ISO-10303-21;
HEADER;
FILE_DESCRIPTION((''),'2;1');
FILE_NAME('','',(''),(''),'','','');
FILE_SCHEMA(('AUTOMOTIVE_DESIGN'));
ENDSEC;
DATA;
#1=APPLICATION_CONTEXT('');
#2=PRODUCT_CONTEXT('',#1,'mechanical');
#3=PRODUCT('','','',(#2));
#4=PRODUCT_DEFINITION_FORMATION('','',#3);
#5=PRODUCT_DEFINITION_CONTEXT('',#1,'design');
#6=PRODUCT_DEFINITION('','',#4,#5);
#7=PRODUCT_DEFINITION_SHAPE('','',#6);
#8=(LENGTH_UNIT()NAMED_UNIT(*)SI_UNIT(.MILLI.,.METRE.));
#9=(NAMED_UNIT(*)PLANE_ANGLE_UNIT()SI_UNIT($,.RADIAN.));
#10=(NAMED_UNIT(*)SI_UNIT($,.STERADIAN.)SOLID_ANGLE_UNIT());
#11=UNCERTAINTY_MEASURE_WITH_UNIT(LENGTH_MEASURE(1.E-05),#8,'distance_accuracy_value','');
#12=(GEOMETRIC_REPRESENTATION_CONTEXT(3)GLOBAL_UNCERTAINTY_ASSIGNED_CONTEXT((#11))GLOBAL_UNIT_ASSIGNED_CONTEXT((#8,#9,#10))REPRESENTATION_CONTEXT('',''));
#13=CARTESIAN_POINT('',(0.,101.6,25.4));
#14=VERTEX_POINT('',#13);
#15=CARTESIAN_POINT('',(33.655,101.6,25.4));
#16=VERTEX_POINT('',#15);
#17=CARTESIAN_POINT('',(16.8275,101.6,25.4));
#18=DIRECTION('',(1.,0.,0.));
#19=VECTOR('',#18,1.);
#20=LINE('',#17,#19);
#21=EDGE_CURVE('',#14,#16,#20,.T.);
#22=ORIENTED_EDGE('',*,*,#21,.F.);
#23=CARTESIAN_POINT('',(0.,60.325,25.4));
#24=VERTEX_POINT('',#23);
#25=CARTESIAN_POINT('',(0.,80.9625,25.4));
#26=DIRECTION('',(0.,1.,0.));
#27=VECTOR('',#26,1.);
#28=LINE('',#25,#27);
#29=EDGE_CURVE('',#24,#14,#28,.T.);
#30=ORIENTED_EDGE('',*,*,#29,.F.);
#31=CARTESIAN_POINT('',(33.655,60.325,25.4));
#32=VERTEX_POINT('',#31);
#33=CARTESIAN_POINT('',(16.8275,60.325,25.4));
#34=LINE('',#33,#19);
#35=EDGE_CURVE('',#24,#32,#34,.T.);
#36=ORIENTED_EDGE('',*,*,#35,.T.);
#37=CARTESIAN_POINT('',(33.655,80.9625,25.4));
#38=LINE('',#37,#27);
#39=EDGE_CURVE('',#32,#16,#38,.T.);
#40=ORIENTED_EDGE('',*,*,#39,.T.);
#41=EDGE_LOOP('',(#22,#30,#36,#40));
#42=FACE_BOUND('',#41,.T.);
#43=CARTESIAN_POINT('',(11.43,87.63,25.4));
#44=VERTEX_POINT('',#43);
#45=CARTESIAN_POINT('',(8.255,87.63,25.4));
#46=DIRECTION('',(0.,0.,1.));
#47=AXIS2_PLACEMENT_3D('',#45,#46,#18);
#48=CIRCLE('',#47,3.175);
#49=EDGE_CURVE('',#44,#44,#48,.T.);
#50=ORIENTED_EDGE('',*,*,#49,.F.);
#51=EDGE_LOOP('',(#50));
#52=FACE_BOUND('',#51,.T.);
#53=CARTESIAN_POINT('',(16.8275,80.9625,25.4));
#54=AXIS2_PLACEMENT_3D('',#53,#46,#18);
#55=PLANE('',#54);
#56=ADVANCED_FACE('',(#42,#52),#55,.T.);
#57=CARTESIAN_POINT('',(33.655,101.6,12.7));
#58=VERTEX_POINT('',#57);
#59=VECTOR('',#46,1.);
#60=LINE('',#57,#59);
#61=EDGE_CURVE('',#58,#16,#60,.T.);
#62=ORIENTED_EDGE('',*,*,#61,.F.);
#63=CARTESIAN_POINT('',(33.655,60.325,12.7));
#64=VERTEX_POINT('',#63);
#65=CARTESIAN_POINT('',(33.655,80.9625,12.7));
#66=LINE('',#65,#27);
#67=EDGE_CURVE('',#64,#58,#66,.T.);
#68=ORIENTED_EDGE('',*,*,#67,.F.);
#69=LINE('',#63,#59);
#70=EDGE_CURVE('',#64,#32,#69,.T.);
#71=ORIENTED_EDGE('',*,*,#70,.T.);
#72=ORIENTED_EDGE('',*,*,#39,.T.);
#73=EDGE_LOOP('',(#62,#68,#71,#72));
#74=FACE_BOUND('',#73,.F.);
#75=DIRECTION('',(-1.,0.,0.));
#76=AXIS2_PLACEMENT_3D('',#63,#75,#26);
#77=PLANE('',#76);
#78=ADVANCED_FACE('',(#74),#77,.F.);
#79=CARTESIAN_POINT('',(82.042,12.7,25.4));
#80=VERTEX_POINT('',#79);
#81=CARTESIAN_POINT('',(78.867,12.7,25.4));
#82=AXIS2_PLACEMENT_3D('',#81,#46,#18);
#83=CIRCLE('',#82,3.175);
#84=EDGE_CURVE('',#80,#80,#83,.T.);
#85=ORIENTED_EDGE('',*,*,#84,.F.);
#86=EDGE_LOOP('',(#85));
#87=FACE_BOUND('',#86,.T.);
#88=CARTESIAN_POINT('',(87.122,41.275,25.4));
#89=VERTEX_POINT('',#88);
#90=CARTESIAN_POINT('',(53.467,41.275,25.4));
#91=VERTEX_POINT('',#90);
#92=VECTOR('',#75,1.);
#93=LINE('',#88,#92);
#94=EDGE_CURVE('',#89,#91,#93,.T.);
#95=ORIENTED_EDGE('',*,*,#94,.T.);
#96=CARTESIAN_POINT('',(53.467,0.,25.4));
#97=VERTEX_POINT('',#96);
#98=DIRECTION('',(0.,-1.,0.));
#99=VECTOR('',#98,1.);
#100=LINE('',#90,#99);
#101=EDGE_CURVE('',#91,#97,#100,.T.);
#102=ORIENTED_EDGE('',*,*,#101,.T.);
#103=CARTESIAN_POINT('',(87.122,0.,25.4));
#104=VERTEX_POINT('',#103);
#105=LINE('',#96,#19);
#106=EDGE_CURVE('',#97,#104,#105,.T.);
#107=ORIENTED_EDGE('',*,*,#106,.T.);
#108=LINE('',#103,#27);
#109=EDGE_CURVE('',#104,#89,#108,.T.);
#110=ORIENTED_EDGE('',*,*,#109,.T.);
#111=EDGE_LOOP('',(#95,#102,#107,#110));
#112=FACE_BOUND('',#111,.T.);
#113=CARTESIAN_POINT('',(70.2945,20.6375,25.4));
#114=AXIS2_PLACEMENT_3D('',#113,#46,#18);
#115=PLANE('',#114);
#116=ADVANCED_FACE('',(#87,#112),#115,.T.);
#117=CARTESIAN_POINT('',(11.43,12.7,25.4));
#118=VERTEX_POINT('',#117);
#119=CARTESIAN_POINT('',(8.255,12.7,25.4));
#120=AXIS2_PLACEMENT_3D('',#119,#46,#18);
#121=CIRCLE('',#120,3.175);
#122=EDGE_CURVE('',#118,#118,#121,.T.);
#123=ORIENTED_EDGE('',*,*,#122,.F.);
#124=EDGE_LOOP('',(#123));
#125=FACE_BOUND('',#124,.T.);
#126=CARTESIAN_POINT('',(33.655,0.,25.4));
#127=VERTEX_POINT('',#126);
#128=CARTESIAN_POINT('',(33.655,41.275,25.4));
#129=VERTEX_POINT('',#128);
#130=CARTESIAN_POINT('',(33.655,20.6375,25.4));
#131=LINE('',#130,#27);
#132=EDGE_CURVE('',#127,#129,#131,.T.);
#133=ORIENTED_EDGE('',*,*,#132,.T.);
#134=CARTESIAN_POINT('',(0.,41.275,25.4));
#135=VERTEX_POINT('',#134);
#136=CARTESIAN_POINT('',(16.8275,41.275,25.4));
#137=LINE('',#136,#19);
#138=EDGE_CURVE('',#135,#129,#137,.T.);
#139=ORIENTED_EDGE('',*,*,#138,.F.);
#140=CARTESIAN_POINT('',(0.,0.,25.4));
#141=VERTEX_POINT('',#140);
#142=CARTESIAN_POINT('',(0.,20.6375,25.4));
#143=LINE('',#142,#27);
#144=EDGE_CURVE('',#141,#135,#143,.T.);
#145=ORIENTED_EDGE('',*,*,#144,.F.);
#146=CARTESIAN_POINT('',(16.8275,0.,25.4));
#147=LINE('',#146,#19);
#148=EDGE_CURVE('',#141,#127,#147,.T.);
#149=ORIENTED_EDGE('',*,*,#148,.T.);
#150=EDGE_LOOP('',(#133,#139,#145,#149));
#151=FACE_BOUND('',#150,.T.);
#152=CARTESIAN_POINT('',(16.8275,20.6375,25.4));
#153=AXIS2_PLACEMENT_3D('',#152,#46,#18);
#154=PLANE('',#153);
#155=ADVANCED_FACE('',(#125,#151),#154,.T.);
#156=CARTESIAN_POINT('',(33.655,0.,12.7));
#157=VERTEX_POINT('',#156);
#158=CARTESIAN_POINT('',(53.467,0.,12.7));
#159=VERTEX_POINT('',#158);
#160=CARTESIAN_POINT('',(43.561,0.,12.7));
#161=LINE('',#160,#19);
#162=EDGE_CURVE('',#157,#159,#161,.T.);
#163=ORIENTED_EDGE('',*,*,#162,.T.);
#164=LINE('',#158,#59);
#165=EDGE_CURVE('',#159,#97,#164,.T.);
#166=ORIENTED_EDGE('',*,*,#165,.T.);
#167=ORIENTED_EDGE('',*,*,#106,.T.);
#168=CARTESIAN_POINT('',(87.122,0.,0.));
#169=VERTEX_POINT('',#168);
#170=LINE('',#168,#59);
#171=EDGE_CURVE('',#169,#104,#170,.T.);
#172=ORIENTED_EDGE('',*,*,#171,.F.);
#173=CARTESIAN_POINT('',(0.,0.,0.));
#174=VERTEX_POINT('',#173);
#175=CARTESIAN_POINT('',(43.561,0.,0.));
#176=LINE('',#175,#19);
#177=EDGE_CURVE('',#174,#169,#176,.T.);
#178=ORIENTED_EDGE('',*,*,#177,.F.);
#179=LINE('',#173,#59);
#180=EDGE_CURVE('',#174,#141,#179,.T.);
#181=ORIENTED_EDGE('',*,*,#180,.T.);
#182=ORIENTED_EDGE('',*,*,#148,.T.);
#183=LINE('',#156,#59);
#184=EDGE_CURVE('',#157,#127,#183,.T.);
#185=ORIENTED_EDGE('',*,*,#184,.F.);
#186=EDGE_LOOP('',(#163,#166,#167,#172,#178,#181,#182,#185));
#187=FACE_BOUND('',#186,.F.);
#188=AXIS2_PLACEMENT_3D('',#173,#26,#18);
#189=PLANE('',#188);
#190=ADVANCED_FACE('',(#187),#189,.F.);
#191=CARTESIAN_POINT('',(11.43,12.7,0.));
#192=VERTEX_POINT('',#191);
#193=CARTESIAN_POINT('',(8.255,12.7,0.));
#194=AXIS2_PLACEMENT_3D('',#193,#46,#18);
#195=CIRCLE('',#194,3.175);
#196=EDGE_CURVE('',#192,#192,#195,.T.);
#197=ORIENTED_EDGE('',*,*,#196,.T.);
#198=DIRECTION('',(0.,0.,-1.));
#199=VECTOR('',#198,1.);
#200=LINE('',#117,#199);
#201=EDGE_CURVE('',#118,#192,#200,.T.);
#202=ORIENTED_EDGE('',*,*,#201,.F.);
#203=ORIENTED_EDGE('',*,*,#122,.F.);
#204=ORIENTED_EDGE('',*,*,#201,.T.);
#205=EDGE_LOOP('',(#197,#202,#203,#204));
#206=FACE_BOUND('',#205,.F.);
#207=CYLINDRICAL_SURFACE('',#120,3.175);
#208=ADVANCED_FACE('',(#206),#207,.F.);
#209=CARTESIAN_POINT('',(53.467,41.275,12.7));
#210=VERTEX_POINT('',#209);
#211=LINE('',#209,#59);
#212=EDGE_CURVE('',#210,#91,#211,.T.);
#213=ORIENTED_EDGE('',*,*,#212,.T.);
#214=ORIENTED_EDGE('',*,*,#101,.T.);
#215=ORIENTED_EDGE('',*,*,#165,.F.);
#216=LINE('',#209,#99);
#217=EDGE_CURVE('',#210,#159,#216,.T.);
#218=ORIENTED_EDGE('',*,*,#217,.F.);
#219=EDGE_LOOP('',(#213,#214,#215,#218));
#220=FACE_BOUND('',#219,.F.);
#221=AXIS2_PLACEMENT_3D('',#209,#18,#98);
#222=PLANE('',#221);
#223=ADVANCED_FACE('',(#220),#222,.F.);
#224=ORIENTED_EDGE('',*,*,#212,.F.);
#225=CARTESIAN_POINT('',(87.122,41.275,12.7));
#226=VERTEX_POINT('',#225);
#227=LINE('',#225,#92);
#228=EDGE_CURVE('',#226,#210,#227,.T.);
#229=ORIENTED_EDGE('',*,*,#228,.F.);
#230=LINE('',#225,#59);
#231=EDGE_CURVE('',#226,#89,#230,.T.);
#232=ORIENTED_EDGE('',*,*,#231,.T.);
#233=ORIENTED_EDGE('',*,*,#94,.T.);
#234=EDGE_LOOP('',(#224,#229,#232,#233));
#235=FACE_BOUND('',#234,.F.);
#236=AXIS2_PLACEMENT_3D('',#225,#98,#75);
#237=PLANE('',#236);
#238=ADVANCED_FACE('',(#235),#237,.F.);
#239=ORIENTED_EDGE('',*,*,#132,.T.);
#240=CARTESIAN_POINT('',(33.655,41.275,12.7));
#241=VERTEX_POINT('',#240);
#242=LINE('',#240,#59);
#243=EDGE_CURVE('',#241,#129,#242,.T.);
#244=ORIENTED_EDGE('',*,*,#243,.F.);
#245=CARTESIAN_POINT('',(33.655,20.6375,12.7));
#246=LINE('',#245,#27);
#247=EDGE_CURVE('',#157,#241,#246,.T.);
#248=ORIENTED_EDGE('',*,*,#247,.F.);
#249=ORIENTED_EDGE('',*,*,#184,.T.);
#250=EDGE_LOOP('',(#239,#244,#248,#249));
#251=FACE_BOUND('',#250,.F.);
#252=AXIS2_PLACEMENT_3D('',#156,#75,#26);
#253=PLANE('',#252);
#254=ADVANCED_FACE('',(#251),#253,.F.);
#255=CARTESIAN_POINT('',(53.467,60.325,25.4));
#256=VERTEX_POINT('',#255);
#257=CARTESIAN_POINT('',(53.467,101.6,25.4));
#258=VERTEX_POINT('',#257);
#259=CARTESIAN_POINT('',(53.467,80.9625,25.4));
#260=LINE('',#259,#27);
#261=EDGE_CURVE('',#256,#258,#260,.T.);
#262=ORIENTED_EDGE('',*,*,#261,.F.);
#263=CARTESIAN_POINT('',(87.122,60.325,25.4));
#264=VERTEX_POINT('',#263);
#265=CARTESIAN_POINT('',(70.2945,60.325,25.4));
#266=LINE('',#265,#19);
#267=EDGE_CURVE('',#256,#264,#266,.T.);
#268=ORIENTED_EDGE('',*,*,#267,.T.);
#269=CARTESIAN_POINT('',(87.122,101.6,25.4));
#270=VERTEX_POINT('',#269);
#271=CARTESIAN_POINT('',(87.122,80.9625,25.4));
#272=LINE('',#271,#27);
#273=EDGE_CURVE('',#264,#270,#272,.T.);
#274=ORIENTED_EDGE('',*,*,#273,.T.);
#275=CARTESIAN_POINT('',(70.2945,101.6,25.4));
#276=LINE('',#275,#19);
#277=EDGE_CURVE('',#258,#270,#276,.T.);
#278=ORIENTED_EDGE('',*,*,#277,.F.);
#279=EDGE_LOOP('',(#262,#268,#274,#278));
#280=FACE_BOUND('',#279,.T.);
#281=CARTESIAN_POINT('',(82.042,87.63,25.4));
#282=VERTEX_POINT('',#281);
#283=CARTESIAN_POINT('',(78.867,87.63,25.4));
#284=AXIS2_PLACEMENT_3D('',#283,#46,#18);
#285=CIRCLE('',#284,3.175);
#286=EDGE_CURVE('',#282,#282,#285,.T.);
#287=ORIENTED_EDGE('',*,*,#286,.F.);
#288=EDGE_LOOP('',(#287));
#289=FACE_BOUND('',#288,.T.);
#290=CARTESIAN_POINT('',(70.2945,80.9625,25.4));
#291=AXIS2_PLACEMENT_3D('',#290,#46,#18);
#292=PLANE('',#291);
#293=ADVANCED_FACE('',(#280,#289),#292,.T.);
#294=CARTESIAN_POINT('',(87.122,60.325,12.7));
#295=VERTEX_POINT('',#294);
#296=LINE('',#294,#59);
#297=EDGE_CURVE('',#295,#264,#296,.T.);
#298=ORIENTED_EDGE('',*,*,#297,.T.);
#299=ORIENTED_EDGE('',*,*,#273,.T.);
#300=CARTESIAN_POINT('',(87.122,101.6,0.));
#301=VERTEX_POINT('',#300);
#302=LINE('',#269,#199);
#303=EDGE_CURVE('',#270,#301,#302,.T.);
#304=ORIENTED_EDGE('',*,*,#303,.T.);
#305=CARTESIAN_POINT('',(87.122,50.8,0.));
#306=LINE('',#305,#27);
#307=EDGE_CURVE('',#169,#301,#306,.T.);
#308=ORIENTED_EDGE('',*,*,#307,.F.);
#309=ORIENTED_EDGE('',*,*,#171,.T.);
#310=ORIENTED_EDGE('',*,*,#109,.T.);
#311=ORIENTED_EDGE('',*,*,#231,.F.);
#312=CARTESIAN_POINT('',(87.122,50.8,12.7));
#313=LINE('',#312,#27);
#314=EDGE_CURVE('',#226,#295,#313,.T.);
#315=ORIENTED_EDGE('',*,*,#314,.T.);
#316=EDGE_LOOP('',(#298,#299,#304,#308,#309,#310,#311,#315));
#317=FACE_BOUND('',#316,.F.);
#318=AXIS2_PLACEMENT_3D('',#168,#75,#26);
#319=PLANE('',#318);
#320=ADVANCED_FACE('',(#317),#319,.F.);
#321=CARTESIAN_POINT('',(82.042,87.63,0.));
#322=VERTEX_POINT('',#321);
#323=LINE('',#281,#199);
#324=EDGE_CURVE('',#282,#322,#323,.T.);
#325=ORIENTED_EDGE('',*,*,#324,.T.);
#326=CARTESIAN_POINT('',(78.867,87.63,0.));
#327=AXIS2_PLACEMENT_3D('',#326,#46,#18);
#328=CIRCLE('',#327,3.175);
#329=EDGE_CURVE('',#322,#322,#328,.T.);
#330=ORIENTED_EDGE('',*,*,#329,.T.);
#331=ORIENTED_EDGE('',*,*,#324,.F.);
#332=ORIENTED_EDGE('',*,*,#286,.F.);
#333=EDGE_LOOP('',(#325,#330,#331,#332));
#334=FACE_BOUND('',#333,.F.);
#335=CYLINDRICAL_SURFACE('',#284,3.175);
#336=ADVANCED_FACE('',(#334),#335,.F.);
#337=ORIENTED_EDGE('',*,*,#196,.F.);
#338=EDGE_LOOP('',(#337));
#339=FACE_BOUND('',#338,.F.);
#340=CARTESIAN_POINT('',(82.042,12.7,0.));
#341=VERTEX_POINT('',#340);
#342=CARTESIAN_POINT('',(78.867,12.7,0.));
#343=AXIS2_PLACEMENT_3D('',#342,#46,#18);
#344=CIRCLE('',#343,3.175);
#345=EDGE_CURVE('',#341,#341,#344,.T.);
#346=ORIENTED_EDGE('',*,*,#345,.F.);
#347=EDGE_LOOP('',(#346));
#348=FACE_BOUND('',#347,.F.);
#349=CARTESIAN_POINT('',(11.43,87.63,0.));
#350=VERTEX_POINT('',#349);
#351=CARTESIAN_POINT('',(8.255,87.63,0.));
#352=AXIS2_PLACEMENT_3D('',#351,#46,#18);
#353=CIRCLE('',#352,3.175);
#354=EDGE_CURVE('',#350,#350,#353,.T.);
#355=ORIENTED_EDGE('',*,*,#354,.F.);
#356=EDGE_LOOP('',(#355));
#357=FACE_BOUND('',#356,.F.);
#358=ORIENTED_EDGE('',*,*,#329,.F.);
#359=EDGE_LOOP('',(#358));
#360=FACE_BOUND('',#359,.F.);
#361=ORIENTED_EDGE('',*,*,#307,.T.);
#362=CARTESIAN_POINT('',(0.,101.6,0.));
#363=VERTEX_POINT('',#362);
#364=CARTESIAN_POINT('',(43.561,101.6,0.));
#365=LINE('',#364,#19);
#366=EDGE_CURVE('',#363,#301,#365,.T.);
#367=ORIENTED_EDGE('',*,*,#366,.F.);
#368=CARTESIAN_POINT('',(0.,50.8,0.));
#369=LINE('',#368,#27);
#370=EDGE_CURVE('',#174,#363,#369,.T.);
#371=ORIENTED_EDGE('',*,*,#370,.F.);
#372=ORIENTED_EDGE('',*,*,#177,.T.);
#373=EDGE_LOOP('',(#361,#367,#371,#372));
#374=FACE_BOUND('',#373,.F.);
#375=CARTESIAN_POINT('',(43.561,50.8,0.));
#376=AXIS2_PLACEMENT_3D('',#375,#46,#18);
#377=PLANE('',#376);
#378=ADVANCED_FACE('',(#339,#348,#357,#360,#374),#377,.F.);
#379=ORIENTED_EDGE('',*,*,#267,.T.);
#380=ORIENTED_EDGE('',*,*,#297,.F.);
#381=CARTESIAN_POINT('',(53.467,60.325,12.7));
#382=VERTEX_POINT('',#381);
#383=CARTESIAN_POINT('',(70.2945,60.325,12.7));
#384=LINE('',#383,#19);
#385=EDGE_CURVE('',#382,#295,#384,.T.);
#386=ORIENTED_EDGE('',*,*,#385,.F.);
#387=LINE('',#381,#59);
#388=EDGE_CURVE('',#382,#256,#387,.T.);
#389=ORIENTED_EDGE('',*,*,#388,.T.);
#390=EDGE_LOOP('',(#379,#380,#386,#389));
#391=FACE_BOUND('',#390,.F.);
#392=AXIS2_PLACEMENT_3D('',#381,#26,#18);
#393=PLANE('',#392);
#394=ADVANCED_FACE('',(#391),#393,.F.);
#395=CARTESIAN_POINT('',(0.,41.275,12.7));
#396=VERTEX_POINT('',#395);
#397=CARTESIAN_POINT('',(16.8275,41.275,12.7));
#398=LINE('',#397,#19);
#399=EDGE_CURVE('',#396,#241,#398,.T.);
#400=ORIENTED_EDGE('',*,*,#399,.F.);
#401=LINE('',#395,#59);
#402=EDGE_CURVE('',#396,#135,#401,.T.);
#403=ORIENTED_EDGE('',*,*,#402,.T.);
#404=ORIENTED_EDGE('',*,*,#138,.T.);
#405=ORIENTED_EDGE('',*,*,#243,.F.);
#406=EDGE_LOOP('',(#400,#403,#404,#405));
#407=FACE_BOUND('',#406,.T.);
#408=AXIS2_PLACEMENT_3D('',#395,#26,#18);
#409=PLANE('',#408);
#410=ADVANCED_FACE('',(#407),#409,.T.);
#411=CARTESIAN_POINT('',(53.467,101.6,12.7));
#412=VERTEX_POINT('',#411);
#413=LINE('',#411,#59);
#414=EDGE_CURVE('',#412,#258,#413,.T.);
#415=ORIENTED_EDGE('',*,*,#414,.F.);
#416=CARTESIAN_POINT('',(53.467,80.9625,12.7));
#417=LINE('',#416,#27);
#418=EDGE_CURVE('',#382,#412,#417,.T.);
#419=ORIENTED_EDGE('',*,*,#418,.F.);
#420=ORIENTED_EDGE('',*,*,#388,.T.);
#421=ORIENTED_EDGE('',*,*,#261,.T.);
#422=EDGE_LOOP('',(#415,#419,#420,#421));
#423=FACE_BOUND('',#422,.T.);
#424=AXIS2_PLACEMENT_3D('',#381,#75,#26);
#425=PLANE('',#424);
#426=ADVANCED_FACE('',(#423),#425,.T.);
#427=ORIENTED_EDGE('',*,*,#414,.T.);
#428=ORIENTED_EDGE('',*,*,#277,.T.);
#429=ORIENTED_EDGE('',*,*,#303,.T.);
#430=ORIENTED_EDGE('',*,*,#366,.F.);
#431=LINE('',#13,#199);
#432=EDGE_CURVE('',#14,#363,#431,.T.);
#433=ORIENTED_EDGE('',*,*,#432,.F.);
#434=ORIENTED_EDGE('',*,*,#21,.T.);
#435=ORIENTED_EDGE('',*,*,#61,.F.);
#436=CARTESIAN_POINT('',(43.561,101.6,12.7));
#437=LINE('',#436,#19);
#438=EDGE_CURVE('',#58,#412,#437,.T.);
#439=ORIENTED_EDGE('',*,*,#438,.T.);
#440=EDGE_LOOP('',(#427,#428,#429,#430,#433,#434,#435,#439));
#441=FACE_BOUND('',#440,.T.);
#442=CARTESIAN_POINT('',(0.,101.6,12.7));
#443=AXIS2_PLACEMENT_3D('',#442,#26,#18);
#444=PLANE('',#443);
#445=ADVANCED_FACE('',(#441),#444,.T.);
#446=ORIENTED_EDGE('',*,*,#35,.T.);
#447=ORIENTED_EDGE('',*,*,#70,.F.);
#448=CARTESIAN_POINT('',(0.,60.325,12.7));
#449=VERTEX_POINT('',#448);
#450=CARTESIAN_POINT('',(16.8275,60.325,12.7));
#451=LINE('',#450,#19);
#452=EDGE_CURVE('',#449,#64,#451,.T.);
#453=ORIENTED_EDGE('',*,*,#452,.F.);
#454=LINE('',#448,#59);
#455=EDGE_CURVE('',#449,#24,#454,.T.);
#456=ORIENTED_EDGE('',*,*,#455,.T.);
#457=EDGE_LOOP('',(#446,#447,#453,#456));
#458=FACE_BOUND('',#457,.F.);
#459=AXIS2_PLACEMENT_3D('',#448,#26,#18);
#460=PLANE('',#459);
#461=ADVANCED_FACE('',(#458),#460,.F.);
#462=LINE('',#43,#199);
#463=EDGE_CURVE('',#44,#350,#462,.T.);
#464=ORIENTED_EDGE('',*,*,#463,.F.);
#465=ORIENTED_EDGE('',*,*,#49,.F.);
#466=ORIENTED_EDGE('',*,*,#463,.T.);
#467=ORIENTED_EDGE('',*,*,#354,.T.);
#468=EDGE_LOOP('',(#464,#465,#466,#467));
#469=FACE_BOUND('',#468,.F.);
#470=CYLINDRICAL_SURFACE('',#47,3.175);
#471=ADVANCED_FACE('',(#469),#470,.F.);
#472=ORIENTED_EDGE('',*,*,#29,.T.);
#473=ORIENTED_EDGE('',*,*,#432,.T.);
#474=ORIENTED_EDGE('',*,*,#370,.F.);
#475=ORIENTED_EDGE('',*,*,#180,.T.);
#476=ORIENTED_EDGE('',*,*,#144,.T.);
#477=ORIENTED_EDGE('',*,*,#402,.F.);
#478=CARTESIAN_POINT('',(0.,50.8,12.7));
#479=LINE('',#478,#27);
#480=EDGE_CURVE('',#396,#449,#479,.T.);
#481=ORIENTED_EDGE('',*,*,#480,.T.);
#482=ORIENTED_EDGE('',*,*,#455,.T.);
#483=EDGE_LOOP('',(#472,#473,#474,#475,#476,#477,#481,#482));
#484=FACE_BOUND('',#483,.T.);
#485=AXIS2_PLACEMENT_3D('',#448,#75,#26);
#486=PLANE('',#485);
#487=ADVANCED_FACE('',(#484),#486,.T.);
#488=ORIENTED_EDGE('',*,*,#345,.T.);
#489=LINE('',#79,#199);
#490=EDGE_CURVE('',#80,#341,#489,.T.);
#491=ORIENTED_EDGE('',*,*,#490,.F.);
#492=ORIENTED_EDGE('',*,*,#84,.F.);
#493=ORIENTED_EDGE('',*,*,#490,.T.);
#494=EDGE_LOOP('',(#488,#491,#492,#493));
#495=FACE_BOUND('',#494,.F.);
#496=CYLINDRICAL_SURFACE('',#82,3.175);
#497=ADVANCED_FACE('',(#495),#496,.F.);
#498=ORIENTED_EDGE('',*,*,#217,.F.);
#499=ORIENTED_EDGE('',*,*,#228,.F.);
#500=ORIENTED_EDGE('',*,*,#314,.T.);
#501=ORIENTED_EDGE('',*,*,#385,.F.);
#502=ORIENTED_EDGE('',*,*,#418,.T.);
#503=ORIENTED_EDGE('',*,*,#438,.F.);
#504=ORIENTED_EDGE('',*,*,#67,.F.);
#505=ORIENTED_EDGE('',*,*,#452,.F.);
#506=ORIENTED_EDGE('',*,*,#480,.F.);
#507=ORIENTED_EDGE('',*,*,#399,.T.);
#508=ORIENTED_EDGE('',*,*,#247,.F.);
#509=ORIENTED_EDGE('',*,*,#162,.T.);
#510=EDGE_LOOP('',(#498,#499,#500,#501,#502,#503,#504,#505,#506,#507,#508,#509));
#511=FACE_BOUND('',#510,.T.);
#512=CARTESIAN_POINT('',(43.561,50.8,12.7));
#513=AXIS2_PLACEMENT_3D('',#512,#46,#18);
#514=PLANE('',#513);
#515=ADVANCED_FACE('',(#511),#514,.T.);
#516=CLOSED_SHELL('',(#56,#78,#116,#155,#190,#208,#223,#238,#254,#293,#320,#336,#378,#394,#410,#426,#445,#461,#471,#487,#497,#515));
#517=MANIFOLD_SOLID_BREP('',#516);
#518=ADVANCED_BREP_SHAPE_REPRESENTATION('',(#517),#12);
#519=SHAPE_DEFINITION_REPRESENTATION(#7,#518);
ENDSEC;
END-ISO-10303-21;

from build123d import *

# Parameters (mm, degrees)
F0_W     = 87.122
F0_H     = 101.6
F1_DEPTH = 12.7
F2_W     = 33.655
F2_H     = 41.275
F3_DEPTH = 12.7
F4_R     = 3.175
F5_DEPTH = 25.4


with BuildPart() as f1:
    # F0 (on Top) → F1 (new body)
    with BuildSketch(Plane.XY):
        with Locations((43.561, 50.8)):
            Rectangle(F0_W, F0_H)
    extrude(amount=F1_DEPTH)

    # F2 (on face) → F3 (join)
    with BuildSketch(Plane.XY.offset(12.7)):
        with Locations((16.8275, 80.9625)):
            Rectangle(F2_W, F2_H)
        with Locations((70.2945, 80.9625)):
            Rectangle(F2_W, F2_H)
        Polygon((53.467, 0), (87.122, 0), (87.122, 41.275), (77.888655, 41.275), (73.54703, 41.275), (53.467, 41.275), align=None)
        with Locations((16.8275, 20.6375)):
            Rectangle(F2_W, F2_H)
    extrude(amount=F3_DEPTH)

    # F4 (on face) → F5 (cut)
    with BuildSketch(Plane.XY.offset(25.4)):
        with Locations((78.867, 87.63)):
            Circle(F4_R)
        with Locations((8.255, 87.63)):
            Circle(F4_R)
        with Locations((78.867, 12.7)):
            Circle(F4_R)
        with Locations((8.255, 12.7)):
            Circle(F4_R)
    extrude(amount=-F5_DEPTH, mode=Mode.SUBTRACT)


solid = f1.part
